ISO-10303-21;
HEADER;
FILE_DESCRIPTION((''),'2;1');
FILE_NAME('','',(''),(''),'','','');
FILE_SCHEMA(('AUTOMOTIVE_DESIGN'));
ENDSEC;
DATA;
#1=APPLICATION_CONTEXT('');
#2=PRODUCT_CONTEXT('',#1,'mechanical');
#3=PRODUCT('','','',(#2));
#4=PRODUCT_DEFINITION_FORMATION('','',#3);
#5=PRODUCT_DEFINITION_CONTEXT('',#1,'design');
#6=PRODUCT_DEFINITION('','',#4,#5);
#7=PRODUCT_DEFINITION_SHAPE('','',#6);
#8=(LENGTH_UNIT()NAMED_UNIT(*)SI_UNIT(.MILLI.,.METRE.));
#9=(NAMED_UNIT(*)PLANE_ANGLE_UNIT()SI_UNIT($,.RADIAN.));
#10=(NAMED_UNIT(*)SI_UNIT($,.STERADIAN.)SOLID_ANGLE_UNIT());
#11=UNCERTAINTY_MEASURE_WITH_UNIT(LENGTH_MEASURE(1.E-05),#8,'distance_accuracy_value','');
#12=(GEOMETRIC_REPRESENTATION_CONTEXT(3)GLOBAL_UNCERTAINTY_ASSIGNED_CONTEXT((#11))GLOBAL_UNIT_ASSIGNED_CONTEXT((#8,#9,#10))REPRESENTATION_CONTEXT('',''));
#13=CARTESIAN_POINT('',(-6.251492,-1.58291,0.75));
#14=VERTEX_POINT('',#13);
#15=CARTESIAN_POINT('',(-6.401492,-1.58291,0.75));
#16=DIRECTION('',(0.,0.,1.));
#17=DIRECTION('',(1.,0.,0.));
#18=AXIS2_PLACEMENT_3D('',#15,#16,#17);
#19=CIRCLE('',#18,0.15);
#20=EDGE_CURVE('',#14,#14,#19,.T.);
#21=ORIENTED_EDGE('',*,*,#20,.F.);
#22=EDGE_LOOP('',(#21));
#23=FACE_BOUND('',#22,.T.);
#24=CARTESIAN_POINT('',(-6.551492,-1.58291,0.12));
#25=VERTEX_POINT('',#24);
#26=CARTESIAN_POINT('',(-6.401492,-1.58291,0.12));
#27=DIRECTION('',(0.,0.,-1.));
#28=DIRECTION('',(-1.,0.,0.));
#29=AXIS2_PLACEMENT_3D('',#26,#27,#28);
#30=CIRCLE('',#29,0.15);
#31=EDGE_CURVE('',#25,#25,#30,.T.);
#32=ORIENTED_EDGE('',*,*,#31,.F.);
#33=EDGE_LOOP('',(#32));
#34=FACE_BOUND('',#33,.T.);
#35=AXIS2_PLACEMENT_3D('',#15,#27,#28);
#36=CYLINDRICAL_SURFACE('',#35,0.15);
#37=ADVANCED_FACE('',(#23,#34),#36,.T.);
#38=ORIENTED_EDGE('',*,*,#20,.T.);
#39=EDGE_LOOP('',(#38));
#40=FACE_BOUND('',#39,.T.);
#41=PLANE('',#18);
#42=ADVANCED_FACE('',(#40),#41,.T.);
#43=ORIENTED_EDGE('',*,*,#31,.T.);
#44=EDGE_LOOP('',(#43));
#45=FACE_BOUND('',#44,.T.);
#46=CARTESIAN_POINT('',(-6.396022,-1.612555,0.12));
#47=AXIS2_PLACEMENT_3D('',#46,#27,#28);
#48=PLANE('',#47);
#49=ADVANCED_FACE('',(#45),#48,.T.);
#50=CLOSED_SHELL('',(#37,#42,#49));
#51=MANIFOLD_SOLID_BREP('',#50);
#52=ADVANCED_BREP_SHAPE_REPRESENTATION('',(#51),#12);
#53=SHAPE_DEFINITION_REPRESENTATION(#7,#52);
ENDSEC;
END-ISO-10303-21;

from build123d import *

# Parameters (mm, degrees)
SKETCH_1_R          = 0.15
EXTRUDE_1_DEPTH     = 0.75
SKETCH_2_R          = 0.301807364
CUT_EXTRUDE_1_DEPTH = 0.12


with BuildPart() as part:
    # 草图1 → 凸台-拉伸1 (new body)
    with BuildSketch(Plane.XY):
        with Locations((-6.401492226, -1.582909962)):
            Circle(SKETCH_1_R)
    extrude(amount=EXTRUDE_1_DEPTH)

    # 草图2 → 切除-拉伸1 (cut)
    with BuildSketch(Plane(origin=(0, 0, 0), x_dir=(-1, 0, 0), z_dir=(0, 0, -1))):
        with Locations((6.396022153, -1.612554864)):
            Circle(SKETCH_2_R)
    extrude(amount=-CUT_EXTRUDE_1_DEPTH, mode=Mode.SUBTRACT)


solid = part.part
